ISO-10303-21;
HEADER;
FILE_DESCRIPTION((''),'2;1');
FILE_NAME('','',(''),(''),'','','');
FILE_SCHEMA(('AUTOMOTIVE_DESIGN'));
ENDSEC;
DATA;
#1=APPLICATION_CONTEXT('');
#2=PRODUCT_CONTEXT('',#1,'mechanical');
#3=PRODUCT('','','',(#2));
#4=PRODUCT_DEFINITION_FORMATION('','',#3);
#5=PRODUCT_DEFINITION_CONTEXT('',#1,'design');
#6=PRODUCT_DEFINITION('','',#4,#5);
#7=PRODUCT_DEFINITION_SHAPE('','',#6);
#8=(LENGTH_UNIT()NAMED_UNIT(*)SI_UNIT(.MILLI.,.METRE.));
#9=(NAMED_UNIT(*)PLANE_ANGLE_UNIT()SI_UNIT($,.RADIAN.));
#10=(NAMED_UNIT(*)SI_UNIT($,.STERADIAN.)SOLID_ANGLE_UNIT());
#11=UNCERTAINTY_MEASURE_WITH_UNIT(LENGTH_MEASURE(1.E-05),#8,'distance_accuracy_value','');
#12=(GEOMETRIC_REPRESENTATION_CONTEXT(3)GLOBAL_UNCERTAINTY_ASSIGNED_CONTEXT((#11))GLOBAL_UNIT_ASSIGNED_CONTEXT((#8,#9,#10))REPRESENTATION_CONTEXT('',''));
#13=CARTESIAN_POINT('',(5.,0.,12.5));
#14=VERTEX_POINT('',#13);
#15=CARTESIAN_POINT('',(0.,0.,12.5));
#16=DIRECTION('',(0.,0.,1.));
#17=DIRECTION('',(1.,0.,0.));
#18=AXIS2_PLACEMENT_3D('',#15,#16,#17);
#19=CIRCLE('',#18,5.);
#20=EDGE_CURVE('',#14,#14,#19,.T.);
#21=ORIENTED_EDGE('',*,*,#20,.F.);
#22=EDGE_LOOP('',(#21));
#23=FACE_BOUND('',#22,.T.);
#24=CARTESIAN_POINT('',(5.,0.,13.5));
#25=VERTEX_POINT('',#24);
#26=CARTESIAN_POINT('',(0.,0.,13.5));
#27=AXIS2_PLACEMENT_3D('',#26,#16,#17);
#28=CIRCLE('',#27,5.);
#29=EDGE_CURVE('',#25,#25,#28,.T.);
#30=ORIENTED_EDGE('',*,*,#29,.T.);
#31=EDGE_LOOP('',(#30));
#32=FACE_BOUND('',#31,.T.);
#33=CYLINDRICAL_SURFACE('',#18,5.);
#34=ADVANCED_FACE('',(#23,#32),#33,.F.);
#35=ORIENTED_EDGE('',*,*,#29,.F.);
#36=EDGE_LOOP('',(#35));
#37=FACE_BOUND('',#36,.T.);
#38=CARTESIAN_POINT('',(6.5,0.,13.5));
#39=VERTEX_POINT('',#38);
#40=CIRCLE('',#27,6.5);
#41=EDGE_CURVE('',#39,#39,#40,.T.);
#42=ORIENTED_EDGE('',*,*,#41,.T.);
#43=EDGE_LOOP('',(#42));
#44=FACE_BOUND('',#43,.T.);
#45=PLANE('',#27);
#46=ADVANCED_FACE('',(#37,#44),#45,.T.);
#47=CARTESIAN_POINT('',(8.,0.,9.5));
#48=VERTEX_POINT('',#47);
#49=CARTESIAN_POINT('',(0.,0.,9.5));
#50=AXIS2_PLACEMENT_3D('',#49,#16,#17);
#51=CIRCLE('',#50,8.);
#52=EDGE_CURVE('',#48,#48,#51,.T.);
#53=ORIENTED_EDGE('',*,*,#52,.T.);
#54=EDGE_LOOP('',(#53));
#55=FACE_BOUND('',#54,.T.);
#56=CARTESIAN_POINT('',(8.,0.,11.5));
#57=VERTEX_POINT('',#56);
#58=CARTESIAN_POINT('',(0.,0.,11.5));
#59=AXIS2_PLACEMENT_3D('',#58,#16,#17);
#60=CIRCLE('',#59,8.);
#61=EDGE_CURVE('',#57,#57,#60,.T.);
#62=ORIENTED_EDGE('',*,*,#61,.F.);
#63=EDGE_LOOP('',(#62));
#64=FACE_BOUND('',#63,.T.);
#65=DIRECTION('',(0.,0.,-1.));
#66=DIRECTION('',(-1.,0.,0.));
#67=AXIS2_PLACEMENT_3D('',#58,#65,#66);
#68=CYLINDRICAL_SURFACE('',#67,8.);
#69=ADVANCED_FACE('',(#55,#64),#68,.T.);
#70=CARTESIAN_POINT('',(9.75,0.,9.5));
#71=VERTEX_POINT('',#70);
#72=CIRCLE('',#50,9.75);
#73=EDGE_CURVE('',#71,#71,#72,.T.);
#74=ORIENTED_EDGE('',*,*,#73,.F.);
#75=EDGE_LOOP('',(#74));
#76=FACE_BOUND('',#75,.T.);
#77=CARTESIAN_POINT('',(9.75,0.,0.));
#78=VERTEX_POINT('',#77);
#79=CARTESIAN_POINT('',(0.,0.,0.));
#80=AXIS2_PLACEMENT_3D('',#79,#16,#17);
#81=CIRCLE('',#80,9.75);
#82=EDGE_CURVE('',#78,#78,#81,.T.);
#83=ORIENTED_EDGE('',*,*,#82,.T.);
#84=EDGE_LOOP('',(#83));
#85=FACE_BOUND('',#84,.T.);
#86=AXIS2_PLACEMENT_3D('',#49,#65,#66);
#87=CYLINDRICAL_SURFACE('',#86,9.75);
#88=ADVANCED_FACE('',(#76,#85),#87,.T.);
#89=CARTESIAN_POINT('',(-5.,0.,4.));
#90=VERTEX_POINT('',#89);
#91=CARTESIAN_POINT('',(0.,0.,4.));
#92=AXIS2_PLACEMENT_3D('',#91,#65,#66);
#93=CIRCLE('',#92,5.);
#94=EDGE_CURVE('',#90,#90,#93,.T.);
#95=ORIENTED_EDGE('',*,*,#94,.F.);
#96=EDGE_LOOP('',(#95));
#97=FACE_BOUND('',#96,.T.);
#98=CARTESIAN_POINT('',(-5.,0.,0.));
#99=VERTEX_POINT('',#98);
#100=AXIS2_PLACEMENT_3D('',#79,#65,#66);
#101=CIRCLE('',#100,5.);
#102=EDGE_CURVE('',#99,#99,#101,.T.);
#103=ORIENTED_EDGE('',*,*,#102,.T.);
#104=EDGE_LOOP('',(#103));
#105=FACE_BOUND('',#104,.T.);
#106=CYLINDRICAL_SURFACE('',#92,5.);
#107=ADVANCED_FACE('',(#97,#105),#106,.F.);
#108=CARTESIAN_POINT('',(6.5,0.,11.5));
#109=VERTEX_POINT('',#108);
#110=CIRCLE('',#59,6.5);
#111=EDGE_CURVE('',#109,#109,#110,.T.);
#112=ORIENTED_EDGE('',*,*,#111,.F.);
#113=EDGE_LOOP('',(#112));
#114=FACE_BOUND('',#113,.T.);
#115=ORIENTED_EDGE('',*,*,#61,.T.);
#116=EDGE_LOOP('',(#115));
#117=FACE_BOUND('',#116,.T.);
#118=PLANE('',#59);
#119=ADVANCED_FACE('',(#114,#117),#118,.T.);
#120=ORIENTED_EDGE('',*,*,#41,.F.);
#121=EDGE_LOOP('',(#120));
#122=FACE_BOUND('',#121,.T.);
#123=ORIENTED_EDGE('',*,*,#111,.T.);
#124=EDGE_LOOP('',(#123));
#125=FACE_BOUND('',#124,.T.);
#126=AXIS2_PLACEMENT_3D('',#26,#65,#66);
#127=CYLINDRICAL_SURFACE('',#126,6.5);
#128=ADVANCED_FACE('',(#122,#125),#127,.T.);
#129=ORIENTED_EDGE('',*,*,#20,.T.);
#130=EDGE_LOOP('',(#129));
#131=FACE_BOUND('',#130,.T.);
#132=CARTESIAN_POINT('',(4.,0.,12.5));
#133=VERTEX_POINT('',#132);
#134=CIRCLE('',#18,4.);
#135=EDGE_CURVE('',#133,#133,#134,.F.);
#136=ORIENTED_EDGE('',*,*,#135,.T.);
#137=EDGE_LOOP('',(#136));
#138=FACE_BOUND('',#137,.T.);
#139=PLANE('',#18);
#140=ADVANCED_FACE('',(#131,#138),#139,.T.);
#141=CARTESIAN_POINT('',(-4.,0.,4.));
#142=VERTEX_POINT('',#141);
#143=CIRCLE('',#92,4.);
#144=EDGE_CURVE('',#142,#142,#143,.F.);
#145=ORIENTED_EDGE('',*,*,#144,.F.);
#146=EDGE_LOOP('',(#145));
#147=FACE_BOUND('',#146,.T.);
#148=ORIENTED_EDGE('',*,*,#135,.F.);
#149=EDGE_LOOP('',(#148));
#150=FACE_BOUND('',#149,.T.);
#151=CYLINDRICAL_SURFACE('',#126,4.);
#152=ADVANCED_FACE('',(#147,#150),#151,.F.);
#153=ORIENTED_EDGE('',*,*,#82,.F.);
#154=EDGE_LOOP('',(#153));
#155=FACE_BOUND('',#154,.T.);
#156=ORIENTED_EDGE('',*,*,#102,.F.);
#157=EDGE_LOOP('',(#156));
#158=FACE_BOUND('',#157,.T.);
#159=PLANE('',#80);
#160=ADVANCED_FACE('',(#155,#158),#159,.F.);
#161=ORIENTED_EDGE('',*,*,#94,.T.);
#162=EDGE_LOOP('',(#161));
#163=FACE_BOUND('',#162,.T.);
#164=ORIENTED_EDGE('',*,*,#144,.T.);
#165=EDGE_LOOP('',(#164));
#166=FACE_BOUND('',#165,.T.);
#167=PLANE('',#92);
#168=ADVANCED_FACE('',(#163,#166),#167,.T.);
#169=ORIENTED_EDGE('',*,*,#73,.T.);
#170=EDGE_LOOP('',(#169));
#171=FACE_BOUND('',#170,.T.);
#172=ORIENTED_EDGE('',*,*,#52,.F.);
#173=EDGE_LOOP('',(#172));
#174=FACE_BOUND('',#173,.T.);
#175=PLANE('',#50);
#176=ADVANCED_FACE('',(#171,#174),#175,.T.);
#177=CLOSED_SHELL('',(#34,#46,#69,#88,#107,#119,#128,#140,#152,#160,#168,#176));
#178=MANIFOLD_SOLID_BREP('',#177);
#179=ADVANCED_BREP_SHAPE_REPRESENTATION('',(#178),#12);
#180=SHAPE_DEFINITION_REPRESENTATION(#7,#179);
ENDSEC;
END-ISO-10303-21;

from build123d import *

# Parameters (mm, degrees)
SKETCH_1_R          = 9.75
EXTRUDE_1_DEPTH     = 9.5
SKETCH_2_R          = 8
EXTRUDE_2_DEPTH     = 2
SKETCH_3_R          = 6.5
EXTRUDE_3_DEPTH     = 2
SKETCH_4_R          = 4
CUT_EXTRUDE_1_DEPTH = 20.297020495
SKETCH_5_R          = 5
CUT_EXTRUDE_2_DEPTH = 4
CUT_EXTRUDE_START   = -1
SKETCH_6_R          = 5
CUT_EXTRUDE_3_DEPTH = 1


with BuildPart() as part:
    # 스케치1 → 돌출1 (new body)
    with BuildSketch(Plane.XY):
        Circle(SKETCH_1_R)
    extrude(amount=EXTRUDE_1_DEPTH)

    # 스케치2 → 돌출2 (add)
    with BuildSketch(Plane.XY.offset(9.5)):
        Circle(SKETCH_2_R)
    extrude(amount=EXTRUDE_2_DEPTH)

    # 스케치3 → 돌출3 (add)
    with BuildSketch(Plane.XY.offset(11.5)):
        Circle(SKETCH_3_R)
    extrude(amount=EXTRUDE_3_DEPTH)

    # 스케치4 → 컷-돌출1 (cut, through all)
    with BuildSketch(Plane(origin=(0, 0, 0), x_dir=(-1, 0, 0), z_dir=(0, 0, -1))):
        Circle(SKETCH_4_R)
    extrude(amount=-CUT_EXTRUDE_1_DEPTH, mode=Mode.SUBTRACT)

    # 스케치5 → 컷-돌출2 (cut)
    with BuildSketch(Plane(origin=(0, 0, 0), x_dir=(-1, 0, 0), z_dir=(0, 0, -1))):
        Circle(SKETCH_5_R)
    extrude(amount=-CUT_EXTRUDE_2_DEPTH, mode=Mode.SUBTRACT)

    # 스케치6 → 컷-돌출3 (cut)
    with BuildSketch(Plane.XY.offset(13.5).offset(CUT_EXTRUDE_START)):
        with Locations(Location((0, 0, 0), (0, 0, 180))):
            Circle(SKETCH_6_R)
    extrude(amount=CUT_EXTRUDE_3_DEPTH, mode=Mode.SUBTRACT)


solid = part.part
